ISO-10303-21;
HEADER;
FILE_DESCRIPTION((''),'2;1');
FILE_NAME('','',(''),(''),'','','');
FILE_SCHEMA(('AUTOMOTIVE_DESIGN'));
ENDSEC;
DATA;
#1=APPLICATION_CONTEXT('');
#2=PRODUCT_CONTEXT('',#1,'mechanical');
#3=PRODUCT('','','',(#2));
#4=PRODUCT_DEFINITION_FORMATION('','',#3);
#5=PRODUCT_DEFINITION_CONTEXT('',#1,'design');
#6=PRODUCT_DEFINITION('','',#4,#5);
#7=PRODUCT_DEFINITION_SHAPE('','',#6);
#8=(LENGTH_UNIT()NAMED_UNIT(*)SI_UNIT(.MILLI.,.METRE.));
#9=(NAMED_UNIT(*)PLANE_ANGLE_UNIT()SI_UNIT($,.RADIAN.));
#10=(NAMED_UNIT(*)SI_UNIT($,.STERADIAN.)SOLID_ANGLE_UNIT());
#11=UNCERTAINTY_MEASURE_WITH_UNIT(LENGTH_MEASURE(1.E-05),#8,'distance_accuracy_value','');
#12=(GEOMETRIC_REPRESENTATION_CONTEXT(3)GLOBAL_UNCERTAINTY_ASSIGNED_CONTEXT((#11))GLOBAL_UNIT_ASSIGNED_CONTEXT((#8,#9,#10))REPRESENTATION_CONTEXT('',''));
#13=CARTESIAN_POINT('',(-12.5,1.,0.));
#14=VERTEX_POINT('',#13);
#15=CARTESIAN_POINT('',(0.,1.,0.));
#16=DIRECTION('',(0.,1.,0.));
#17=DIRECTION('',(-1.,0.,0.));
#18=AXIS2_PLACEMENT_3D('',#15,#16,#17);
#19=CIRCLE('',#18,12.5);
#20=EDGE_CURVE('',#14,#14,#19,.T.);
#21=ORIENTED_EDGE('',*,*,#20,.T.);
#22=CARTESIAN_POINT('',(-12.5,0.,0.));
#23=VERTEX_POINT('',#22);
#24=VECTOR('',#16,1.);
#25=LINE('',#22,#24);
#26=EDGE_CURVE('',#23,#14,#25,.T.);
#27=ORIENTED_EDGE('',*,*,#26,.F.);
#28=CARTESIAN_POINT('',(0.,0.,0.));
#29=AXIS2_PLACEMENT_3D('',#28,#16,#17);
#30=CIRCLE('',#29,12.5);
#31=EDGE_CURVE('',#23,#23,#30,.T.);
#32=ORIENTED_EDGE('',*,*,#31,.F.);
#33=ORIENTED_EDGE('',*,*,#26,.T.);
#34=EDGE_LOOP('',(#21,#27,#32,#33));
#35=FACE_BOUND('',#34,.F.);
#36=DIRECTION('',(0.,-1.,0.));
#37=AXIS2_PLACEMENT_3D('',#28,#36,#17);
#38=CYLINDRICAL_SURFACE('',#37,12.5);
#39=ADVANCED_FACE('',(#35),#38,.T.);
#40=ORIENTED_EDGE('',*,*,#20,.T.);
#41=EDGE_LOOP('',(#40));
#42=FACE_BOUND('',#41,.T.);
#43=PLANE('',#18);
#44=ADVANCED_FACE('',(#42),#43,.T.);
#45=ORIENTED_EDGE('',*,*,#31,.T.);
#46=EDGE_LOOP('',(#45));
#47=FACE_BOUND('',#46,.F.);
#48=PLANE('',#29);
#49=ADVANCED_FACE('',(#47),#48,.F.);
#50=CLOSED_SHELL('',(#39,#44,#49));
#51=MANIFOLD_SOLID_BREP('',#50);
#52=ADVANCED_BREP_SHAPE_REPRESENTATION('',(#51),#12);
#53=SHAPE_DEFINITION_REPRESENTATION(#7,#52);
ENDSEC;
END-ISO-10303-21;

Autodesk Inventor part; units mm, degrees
ref_plane "YZ Plane" through (0, 0, 0) normal (1, 0, 0) x (0, 1, 0)
ref_plane "XZ Plane" through (0, 0, 0) normal (0, 1, 0) x (-1, 0, 0)
ref_plane "XY Plane" through (0, 0, 0) normal (0, 0, 1) x (1, 0, 0)
sketch "Sketch1" plane through (0, 0, 0) normal (0, 1, 0) x (-1, 0, 0)
  circle A0 centre (0, 0) radius 12.5
  dimension "d0" = 25
extrude "Extrusion1" add sketch "Sketch1" along normal blind 1
properties part number "00_Comar_Filter_25Dia" material "Glass"
